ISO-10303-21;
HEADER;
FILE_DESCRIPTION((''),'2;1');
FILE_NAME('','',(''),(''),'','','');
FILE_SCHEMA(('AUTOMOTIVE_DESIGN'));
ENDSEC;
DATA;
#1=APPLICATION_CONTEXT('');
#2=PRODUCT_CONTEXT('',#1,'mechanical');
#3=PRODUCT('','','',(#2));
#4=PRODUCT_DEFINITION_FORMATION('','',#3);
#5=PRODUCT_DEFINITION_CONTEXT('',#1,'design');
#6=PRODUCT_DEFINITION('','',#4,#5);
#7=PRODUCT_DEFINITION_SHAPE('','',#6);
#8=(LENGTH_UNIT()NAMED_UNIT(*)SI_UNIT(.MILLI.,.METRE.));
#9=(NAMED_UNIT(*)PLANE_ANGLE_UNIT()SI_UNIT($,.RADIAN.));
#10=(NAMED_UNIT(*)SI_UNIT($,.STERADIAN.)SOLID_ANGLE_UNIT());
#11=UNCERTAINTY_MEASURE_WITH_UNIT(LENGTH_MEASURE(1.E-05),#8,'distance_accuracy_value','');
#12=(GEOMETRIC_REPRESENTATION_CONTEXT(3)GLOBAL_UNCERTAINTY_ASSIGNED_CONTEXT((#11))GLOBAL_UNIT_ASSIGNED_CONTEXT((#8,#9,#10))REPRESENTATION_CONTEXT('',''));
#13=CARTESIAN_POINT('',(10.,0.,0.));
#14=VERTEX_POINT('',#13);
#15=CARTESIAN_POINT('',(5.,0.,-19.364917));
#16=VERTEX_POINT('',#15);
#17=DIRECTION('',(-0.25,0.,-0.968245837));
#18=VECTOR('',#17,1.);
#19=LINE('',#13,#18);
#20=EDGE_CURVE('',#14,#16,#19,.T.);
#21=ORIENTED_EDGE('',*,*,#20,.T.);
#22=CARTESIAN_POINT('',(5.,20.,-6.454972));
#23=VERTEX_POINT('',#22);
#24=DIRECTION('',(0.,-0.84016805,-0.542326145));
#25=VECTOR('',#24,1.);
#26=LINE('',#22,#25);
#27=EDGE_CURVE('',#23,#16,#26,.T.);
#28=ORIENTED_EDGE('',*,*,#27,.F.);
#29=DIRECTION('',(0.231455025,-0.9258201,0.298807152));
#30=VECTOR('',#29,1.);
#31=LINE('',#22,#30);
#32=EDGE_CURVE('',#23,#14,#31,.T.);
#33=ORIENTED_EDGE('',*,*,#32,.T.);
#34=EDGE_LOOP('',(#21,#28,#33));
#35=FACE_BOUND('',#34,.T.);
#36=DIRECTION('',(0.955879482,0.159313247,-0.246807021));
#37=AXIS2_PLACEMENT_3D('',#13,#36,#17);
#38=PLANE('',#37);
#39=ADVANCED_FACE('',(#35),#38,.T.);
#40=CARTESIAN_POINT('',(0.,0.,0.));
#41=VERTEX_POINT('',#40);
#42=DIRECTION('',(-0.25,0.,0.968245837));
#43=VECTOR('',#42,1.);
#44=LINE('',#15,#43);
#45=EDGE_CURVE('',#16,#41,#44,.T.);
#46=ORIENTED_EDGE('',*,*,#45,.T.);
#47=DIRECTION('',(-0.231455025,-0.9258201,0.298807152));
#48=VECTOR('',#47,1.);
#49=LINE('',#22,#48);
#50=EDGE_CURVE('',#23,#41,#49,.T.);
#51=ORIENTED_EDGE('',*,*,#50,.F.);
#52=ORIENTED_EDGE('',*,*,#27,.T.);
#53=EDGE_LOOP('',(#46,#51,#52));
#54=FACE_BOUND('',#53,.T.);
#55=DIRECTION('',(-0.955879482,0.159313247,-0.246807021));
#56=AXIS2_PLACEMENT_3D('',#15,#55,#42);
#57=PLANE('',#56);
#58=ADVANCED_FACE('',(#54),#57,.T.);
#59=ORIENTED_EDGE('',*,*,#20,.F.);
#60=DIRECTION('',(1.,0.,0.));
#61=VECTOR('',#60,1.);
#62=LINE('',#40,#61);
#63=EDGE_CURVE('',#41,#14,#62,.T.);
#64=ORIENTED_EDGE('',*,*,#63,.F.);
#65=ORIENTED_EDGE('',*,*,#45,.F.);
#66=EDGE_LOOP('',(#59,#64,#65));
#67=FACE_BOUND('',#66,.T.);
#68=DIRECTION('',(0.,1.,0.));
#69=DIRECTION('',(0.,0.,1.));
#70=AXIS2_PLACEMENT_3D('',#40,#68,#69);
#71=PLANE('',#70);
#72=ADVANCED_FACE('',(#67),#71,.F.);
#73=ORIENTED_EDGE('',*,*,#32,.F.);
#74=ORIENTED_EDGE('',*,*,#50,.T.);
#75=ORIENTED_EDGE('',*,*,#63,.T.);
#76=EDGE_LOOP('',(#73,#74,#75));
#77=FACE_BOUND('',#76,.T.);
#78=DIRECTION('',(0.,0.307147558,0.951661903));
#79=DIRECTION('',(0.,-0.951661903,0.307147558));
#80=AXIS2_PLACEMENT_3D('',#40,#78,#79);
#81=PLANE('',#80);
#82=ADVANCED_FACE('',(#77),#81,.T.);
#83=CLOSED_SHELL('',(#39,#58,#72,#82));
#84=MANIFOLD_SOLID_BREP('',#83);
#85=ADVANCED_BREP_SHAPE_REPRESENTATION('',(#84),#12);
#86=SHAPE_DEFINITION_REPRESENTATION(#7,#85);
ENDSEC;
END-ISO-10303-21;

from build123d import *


with BuildPart() as part:
    # Sketch1 → Loft1 section 0
    with BuildSketch(Plane(origin=(0, 0, 0), x_dir=(1, 0, 0), z_dir=(0, 1, 0)), mode=Mode.PRIVATE) as loft1_s0:
        Polygon((0, 0), (10, 0), (5, 19.364916731), align=None)
    loft([Vertex(5, 20, -6.454972244), loft1_s0.sketch])


solid = part.part
